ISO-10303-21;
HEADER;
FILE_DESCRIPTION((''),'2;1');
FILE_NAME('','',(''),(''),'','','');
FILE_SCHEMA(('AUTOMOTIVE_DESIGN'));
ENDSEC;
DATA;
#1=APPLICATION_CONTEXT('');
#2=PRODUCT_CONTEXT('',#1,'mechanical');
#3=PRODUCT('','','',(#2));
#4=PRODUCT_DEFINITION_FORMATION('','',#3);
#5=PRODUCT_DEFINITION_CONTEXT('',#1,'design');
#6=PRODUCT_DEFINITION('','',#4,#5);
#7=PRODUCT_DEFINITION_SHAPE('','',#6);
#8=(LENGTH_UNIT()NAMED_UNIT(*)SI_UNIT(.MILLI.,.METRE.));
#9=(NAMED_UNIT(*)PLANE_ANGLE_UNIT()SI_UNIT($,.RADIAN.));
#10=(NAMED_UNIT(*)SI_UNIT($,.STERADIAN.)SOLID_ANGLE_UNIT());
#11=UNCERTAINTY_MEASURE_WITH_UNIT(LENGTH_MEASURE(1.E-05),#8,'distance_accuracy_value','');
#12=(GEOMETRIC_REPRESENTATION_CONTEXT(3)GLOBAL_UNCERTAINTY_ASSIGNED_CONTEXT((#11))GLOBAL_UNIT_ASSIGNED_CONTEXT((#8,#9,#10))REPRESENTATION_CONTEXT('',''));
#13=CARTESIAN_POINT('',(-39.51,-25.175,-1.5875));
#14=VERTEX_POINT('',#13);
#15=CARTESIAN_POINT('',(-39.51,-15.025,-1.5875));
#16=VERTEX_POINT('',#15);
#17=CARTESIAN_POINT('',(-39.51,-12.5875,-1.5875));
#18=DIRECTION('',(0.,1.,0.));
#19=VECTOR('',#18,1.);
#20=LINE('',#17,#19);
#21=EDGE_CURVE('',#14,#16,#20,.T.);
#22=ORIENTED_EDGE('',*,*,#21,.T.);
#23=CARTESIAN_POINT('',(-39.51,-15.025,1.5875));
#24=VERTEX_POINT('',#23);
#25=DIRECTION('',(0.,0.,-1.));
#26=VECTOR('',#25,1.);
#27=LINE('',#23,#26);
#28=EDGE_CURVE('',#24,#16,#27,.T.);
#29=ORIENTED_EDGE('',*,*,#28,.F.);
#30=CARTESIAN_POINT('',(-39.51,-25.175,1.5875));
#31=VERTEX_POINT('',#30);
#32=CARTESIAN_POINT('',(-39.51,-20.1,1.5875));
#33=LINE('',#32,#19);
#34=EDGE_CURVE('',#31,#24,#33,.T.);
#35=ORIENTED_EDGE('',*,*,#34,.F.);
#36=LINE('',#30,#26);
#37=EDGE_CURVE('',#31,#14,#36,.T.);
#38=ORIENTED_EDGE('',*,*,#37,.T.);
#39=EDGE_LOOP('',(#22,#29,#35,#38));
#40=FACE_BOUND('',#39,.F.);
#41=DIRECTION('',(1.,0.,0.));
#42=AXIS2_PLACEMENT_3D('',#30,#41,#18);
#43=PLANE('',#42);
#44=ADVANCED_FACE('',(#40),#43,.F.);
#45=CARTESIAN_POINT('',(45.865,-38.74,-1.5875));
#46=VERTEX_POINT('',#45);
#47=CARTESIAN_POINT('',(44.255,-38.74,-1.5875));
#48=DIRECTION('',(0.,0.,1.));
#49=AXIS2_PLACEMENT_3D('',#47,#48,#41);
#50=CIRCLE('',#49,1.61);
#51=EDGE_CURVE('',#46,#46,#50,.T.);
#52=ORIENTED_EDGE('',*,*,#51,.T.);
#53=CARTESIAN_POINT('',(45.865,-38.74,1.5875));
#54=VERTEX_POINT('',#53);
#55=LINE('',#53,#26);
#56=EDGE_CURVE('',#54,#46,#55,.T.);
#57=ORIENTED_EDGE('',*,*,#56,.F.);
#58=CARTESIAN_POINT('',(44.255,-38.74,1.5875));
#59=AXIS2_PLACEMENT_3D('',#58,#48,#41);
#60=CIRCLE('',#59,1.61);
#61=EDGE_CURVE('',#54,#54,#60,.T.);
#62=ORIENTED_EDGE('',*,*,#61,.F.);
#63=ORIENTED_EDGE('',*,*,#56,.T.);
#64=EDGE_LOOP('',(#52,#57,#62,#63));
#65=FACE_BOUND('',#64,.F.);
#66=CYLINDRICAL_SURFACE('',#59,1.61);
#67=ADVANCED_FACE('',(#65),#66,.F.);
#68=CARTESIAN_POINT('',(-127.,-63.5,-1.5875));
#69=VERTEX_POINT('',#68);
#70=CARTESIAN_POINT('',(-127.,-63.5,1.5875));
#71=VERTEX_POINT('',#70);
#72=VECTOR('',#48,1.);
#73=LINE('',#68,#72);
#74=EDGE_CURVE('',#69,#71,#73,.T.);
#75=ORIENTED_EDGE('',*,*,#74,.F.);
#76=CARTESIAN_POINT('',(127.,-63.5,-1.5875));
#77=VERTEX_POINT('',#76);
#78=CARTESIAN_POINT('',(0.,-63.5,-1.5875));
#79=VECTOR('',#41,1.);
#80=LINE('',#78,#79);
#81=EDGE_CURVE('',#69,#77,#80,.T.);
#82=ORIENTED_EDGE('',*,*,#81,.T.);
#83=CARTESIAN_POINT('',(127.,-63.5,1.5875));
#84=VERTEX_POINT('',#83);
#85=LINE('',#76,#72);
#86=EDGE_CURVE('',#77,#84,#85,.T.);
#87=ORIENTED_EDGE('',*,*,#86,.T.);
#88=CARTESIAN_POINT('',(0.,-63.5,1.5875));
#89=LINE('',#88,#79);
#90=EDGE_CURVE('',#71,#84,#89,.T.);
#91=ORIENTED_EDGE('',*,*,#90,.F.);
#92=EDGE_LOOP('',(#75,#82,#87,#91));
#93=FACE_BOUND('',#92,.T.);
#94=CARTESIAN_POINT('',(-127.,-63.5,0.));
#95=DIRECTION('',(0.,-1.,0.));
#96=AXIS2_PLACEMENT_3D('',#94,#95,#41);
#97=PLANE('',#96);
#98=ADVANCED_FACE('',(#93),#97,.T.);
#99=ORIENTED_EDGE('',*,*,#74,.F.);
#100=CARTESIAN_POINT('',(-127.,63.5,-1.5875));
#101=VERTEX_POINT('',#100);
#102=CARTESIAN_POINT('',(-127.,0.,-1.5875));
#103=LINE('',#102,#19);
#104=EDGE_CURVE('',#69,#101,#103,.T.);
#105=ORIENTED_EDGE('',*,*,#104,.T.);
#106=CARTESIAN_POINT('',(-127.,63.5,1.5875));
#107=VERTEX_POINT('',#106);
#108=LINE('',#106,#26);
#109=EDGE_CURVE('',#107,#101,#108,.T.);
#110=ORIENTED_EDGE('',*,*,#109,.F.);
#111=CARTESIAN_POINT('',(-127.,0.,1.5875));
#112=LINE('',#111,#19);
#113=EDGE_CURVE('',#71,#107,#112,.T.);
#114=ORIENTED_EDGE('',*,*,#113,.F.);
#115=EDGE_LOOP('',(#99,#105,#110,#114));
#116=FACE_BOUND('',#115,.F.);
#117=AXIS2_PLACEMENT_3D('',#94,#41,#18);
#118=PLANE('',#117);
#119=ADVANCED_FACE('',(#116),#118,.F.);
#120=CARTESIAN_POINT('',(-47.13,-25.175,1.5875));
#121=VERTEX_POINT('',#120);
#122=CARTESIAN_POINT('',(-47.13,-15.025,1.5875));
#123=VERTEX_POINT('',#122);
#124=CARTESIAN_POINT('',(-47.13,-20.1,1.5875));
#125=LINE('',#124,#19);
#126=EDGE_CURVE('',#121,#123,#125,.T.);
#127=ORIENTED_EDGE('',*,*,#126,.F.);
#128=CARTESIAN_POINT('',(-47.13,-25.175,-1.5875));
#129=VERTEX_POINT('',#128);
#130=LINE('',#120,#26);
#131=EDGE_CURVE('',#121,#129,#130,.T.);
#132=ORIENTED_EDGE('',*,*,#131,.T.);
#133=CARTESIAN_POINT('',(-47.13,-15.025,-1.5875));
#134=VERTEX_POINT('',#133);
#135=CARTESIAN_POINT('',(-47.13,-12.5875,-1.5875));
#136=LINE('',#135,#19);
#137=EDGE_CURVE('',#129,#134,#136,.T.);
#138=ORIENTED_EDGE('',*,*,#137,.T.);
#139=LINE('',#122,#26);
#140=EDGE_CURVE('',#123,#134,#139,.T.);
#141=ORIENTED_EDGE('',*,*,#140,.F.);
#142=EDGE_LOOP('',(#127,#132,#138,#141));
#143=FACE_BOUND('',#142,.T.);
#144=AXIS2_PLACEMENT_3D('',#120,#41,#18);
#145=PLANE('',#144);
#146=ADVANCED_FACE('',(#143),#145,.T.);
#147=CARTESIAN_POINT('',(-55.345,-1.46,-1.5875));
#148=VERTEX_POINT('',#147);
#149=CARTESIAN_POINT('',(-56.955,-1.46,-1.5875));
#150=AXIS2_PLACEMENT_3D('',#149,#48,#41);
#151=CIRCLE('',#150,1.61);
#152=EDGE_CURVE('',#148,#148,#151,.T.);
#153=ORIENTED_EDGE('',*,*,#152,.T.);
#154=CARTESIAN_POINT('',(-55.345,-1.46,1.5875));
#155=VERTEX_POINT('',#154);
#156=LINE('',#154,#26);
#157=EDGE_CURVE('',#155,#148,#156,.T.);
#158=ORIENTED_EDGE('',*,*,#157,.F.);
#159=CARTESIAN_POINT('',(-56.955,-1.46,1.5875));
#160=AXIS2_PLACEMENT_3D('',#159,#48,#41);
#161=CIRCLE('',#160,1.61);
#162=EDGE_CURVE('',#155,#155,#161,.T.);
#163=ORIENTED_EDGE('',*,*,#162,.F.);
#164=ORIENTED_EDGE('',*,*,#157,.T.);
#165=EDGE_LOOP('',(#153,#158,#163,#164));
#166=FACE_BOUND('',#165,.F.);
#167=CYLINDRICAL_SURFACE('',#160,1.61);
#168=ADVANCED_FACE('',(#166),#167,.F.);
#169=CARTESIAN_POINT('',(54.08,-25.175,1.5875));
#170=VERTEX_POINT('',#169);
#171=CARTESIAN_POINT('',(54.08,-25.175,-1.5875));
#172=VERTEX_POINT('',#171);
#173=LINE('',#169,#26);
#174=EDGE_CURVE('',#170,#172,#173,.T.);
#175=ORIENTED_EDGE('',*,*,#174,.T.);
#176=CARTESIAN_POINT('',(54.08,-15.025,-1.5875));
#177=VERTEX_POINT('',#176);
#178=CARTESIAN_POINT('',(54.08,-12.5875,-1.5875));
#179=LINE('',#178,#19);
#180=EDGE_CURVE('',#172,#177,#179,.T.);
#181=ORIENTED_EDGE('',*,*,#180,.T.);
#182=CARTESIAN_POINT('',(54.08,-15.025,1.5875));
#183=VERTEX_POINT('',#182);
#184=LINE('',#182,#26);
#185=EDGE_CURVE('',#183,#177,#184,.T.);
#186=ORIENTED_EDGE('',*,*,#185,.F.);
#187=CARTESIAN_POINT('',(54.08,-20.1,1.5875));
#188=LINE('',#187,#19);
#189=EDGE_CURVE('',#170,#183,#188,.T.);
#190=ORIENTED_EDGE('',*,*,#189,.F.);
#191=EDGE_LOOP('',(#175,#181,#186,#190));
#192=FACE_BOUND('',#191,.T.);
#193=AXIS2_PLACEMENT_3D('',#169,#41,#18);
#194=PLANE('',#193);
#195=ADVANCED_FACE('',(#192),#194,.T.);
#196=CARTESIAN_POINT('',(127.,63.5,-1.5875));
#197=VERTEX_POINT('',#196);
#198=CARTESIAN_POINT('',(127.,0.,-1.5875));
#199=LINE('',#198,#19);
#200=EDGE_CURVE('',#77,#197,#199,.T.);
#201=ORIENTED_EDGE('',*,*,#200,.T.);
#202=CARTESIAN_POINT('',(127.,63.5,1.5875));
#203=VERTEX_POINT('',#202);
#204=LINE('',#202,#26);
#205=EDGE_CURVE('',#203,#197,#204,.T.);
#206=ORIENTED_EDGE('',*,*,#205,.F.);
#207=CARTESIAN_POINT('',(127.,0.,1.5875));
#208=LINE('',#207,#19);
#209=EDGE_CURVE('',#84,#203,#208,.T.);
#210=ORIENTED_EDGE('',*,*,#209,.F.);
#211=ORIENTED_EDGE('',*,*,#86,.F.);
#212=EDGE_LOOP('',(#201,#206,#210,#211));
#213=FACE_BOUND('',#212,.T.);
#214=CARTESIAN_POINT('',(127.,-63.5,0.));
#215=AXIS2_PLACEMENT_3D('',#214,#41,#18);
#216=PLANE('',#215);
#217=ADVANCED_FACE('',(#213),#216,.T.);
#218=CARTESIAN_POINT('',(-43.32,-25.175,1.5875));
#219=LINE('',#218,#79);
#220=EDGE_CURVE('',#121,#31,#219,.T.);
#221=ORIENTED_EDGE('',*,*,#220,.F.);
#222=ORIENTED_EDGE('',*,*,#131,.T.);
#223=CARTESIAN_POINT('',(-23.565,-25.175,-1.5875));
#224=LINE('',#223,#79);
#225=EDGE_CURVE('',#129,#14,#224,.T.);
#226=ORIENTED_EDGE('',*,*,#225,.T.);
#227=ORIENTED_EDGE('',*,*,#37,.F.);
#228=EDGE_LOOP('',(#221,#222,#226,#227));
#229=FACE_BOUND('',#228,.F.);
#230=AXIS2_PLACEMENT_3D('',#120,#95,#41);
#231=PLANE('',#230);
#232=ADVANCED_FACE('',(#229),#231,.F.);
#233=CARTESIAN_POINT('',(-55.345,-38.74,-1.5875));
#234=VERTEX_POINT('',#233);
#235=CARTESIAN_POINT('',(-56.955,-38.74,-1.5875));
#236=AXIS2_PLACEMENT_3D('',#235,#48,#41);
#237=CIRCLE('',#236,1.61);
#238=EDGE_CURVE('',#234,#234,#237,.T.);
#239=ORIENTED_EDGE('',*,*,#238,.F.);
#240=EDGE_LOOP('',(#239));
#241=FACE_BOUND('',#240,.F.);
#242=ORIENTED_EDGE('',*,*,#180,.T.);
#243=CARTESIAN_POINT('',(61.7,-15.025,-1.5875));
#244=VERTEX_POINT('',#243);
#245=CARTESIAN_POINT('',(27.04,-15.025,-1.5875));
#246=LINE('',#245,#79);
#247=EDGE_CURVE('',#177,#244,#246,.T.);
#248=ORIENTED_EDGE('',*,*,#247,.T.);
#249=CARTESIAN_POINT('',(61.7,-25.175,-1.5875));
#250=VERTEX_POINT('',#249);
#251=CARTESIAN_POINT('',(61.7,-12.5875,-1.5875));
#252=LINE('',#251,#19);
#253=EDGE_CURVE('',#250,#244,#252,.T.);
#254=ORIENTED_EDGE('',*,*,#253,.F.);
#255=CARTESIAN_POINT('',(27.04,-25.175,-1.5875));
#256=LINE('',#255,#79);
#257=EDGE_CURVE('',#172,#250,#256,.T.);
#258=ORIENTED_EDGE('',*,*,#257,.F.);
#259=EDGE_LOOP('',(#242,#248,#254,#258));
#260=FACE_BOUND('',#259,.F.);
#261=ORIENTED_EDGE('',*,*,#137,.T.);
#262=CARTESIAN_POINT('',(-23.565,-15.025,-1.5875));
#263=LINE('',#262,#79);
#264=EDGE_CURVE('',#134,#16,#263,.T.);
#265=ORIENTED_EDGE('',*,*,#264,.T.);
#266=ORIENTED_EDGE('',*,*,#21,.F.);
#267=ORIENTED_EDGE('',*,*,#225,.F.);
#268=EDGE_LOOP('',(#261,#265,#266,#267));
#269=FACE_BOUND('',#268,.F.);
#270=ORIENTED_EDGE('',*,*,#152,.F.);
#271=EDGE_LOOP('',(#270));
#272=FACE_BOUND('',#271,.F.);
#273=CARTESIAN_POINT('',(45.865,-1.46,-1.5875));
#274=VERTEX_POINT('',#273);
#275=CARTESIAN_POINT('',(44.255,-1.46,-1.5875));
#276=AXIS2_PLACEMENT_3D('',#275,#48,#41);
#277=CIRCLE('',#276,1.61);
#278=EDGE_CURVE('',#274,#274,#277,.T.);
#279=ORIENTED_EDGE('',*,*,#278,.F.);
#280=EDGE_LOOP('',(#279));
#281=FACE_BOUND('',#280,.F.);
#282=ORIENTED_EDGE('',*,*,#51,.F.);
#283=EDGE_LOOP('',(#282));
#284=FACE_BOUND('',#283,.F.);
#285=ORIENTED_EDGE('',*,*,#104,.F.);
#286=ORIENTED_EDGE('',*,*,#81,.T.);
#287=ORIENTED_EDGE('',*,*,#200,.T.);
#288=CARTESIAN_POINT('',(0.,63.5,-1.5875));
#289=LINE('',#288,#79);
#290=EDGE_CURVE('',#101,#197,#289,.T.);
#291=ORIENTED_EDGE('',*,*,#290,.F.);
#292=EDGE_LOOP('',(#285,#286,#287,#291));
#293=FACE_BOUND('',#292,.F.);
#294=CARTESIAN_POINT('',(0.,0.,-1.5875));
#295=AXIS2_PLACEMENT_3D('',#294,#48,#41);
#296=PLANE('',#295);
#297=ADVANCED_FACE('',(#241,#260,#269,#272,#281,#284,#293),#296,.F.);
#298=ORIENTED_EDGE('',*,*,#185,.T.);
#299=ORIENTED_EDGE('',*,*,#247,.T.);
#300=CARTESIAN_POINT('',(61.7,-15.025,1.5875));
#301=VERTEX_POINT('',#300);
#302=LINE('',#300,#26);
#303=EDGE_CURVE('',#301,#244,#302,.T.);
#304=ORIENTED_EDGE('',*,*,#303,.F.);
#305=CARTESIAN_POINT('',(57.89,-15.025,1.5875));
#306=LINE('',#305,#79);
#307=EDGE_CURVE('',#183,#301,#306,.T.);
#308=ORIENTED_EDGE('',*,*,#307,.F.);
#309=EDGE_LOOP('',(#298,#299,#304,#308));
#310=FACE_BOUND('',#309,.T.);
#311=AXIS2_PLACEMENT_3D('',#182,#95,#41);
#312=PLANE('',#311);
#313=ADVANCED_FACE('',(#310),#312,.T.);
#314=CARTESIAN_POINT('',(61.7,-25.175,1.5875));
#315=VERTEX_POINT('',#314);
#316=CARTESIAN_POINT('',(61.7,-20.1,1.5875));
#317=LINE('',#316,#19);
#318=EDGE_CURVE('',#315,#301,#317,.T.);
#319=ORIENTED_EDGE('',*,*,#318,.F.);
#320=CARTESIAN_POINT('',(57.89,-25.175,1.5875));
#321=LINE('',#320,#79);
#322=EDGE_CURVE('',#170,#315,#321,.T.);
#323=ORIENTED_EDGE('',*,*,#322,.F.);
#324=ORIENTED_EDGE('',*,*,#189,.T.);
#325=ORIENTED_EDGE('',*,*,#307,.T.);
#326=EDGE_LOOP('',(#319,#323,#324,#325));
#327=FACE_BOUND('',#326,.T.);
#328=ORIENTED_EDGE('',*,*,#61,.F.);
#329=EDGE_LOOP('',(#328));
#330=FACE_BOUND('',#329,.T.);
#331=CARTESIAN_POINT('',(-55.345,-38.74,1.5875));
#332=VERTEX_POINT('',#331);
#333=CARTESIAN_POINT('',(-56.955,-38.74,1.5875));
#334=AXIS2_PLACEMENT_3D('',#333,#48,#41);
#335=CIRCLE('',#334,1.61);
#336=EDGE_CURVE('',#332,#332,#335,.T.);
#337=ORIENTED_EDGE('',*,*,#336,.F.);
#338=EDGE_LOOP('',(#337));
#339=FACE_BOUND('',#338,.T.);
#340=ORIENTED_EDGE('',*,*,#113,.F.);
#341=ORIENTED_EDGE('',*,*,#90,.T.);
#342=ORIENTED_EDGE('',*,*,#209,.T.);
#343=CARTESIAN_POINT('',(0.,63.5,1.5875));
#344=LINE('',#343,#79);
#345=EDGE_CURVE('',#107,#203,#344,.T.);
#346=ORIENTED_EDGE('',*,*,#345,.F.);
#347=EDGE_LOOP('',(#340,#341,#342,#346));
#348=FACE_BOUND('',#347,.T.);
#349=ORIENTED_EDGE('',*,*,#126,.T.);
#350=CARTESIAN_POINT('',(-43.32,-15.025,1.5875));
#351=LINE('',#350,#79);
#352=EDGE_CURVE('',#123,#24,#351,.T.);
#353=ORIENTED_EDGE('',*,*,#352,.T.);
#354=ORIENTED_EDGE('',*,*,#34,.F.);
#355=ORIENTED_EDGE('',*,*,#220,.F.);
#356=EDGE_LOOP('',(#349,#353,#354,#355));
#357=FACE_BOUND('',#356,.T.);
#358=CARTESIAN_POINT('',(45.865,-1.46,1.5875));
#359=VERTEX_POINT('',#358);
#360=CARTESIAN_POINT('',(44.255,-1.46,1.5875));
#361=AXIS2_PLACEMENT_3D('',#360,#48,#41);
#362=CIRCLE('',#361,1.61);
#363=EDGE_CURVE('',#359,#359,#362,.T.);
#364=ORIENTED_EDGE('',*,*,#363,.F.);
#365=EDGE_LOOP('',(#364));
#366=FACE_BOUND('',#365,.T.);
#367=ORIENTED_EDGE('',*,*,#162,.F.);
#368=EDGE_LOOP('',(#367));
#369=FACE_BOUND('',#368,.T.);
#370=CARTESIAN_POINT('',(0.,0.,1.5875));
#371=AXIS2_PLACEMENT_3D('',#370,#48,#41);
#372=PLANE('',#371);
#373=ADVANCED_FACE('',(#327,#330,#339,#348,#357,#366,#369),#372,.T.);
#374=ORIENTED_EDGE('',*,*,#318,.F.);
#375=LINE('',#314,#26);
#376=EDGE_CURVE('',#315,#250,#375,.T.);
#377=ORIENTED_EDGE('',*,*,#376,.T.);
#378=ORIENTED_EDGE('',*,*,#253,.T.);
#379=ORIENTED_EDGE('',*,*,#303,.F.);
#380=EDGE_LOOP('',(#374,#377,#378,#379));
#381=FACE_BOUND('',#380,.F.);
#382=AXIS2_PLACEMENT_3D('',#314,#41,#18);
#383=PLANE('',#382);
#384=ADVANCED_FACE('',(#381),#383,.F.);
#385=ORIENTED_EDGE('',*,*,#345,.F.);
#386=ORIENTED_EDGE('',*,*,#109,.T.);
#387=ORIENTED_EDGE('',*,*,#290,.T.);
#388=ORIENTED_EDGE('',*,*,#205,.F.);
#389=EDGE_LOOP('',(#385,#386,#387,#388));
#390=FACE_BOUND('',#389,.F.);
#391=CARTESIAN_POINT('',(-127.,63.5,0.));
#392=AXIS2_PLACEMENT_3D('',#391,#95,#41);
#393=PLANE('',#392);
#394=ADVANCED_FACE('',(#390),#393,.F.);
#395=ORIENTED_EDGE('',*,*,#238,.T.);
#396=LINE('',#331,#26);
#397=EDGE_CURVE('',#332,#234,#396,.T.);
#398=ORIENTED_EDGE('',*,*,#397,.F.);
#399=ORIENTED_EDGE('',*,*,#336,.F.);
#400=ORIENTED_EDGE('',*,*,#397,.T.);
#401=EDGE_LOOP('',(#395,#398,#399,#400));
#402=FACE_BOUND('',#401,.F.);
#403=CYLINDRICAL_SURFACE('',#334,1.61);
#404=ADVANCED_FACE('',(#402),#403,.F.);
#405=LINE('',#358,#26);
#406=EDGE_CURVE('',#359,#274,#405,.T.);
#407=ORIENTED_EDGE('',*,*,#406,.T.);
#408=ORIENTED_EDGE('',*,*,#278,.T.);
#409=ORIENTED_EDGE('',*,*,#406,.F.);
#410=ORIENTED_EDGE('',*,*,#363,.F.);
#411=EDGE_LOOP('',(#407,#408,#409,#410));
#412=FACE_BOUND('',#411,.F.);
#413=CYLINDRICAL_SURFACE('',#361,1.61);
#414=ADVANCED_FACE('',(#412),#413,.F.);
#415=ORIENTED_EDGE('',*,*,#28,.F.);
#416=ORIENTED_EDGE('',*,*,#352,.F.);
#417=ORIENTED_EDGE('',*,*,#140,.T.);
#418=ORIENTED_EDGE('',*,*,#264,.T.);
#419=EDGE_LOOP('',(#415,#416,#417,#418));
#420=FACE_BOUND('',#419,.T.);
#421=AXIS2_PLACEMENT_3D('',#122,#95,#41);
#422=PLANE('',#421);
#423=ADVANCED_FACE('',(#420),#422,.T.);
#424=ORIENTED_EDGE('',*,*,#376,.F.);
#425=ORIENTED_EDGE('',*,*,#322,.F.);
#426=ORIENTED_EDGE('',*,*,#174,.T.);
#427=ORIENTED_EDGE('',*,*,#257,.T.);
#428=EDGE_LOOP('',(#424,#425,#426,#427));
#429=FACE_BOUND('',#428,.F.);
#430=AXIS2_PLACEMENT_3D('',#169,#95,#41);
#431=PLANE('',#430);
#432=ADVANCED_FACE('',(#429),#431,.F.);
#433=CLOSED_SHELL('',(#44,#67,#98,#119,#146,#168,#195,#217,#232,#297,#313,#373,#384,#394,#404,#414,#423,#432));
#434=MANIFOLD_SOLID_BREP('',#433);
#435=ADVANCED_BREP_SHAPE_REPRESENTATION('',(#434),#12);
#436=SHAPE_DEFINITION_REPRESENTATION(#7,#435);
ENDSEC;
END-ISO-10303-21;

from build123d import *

# Parameters (mm, degrees)
SKETCH1_W           = 254
SKETCH1_H           = 127
BOSS_EXTRUDE1_DEPTH = 1.5875
SKETCH2_R           = 1.61
SKETCH2_W           = 7.62
SKETCH2_H           = 10.15
CUT_EXTRUDE1_DEPTH  = 5.08


with BuildPart() as part:
    # Sketch1 → Boss-Extrude1 (new body, symmetric)
    with BuildSketch(Plane.XY):
        Rectangle(SKETCH1_W, SKETCH1_H)
    extrude(amount=BOSS_EXTRUDE1_DEPTH, both=True)

    # Sketch2 → Cut-Extrude1 (cut)
    with BuildSketch(Plane.XY.offset(1.5875)):
        with Locations((-56.955000009, -1.46)):
            Circle(SKETCH2_R)
        with Locations((-56.955000009, -38.74)):
            Circle(SKETCH2_R)
        with Locations((44.25500001, -38.74)):
            Circle(SKETCH2_R)
        with Locations((44.25500001, -1.46)):
            Circle(SKETCH2_R)
        with Locations((-43.320000018, -20.1)):
            Rectangle(SKETCH2_W, SKETCH2_H)
        with Locations((57.890000001, -20.1)):
            Rectangle(SKETCH2_W, SKETCH2_H)
    extrude(amount=-CUT_EXTRUDE1_DEPTH, mode=Mode.SUBTRACT)


solid = part.part
